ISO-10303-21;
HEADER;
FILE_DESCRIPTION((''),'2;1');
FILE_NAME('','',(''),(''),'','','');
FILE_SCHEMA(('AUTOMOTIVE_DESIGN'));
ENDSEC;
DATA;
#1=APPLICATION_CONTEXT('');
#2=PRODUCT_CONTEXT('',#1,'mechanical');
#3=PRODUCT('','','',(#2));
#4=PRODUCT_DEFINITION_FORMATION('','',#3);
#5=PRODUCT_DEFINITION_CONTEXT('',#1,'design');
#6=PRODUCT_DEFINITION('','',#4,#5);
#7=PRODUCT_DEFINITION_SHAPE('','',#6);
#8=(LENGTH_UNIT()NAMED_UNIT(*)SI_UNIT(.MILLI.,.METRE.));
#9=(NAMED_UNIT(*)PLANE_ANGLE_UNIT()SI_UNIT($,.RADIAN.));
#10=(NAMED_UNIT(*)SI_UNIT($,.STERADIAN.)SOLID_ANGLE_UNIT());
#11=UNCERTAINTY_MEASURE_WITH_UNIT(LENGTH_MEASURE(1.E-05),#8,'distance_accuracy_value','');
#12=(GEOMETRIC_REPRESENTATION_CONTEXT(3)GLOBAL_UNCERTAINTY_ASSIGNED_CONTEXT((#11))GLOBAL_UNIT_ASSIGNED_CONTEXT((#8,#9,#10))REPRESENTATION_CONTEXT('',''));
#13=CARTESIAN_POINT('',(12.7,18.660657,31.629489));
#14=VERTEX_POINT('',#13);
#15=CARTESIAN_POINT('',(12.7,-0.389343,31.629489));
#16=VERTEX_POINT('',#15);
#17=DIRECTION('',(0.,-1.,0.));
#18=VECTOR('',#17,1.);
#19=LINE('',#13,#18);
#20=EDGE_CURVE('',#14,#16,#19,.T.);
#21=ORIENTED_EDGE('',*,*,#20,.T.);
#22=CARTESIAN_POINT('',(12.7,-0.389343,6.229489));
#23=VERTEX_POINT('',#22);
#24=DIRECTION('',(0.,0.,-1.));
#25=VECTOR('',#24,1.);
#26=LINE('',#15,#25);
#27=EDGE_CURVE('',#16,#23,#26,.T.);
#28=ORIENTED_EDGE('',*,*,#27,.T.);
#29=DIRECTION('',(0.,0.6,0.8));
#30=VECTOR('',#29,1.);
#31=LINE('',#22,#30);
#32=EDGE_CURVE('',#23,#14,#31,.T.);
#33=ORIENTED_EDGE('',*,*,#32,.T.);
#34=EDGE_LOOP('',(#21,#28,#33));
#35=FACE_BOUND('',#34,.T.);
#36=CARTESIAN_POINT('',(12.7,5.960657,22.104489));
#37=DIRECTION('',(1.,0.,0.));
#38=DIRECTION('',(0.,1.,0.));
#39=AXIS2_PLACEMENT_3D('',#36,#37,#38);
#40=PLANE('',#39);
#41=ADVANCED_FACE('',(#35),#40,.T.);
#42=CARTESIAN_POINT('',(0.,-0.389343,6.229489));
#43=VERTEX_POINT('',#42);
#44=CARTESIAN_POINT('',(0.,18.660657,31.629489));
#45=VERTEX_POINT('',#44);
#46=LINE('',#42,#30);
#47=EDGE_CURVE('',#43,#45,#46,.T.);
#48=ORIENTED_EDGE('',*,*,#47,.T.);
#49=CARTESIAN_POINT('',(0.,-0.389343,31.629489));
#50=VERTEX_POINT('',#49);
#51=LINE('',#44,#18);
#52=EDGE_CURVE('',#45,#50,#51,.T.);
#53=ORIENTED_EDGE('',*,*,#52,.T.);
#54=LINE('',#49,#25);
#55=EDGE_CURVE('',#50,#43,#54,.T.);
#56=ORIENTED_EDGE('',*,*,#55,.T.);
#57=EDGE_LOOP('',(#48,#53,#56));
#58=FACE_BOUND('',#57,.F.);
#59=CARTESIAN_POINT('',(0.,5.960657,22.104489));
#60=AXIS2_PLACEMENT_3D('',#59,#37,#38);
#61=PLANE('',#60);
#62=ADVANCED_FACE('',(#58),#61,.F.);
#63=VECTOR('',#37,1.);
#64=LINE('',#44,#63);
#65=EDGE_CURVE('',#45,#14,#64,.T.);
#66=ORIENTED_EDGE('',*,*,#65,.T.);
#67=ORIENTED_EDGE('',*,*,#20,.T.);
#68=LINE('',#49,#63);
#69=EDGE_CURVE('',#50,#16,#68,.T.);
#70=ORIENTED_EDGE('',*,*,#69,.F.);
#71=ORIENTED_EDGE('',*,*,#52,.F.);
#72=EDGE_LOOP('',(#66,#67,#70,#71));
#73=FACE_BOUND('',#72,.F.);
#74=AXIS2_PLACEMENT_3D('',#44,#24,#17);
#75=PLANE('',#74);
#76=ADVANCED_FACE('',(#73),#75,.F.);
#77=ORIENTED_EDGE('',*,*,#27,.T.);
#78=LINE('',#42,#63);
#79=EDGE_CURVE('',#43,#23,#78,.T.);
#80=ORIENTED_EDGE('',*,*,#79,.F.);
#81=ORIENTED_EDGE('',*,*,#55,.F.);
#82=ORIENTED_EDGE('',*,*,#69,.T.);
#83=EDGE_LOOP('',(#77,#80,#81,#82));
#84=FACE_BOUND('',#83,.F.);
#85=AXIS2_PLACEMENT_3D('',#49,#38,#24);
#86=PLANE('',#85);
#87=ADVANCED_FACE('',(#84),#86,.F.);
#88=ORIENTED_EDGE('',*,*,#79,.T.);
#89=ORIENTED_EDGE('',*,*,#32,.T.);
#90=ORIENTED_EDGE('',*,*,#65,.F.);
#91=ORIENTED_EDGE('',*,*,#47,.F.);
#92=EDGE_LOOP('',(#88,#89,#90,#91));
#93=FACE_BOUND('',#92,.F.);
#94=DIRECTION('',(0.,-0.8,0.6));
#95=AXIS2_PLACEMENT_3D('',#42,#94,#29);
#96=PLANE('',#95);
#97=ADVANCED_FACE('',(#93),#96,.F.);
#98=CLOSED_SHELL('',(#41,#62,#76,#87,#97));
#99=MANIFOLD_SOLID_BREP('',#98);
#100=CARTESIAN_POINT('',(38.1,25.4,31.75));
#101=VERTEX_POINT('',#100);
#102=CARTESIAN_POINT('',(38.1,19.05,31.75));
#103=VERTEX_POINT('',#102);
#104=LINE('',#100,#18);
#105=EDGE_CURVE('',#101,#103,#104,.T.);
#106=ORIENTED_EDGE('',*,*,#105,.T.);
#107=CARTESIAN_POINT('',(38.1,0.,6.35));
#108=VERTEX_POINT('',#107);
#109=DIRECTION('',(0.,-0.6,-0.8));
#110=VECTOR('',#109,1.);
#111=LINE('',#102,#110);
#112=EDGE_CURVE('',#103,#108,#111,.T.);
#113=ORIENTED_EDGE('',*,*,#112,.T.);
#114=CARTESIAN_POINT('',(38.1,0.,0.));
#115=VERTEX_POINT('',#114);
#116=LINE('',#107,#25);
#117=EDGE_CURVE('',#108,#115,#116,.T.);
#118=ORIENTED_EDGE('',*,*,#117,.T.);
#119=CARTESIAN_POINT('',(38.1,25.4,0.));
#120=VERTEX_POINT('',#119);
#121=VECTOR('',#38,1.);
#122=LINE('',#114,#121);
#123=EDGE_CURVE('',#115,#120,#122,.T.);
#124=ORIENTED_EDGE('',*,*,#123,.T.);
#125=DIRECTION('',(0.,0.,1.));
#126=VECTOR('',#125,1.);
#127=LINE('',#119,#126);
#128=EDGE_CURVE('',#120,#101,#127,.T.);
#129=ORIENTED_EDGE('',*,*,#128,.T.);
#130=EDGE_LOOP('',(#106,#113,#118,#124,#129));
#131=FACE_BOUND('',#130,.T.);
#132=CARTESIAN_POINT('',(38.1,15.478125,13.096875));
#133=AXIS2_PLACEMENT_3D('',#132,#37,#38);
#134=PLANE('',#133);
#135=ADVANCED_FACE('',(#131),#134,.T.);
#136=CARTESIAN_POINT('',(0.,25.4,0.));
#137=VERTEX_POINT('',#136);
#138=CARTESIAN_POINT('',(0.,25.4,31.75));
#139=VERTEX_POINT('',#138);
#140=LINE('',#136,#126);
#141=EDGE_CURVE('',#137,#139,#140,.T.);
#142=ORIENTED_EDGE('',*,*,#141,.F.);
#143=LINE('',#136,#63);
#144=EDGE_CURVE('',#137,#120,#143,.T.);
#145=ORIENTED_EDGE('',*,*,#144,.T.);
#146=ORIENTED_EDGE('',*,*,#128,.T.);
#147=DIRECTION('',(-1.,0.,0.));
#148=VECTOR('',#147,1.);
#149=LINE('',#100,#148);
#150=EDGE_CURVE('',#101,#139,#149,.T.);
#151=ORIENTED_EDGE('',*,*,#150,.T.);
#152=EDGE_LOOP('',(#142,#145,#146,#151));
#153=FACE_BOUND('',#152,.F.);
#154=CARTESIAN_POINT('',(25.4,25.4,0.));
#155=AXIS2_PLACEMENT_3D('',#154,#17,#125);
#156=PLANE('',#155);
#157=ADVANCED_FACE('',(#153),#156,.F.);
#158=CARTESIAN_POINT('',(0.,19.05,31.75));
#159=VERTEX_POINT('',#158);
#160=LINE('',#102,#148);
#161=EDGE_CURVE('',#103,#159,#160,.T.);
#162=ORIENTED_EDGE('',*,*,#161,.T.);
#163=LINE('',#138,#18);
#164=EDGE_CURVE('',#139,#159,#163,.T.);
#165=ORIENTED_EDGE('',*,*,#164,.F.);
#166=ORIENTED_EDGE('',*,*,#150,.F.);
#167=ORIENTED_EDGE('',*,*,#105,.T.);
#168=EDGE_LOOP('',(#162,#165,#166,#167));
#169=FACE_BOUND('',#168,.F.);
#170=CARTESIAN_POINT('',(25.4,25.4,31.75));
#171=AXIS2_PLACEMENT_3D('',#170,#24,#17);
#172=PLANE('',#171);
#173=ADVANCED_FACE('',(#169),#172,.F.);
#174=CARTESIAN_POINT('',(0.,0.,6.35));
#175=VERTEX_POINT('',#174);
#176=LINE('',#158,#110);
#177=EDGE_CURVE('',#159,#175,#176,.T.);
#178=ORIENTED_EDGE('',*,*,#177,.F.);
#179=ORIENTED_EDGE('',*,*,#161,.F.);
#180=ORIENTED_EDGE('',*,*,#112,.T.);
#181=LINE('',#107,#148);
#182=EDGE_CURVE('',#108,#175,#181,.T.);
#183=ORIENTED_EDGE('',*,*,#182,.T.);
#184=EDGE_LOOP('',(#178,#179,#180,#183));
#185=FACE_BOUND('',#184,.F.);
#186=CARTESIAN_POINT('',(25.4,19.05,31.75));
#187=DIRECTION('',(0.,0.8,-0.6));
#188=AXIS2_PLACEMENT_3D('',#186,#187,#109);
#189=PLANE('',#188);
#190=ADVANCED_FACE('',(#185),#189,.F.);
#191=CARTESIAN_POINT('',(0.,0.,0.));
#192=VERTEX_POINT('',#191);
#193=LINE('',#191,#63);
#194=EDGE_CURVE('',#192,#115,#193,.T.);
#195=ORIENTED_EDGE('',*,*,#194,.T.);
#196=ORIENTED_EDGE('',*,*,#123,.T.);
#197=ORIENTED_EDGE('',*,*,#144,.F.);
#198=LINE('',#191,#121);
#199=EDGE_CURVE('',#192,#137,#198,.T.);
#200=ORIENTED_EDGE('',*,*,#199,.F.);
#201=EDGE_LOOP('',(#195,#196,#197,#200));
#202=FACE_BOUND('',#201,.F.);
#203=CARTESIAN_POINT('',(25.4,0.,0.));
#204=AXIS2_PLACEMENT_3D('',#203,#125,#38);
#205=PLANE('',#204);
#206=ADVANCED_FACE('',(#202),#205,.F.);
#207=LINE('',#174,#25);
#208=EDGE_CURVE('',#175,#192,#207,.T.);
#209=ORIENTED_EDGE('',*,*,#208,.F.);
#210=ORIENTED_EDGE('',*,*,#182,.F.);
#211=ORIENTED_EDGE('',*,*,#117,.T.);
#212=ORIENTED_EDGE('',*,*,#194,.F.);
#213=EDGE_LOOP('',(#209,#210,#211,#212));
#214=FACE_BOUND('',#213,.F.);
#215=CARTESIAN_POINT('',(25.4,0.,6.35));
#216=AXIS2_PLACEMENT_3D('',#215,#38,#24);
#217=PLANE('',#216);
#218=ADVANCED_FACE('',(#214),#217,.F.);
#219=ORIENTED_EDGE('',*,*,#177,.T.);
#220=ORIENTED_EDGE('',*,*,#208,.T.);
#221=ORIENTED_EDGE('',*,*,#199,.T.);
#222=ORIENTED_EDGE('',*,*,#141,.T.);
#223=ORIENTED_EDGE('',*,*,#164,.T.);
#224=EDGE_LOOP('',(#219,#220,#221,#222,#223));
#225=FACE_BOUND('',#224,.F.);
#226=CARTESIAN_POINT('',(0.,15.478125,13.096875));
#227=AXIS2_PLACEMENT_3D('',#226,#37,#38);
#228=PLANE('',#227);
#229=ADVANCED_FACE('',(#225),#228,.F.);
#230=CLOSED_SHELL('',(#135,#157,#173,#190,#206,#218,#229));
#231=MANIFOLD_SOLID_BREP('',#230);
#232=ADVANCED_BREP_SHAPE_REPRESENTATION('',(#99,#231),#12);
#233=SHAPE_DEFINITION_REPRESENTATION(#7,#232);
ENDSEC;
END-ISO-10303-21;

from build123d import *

# Parameters (mm, degrees)
F1_DEPTH = 25.4
F3_DEPTH = 12.7
F4_DEPTH = 12.7


with BuildPart() as f1:
    # F0 (on Right) → F1 (new body)
    with BuildSketch(Plane.YZ):
        Polygon((0, 6.35), (0, 0), (25.4, 0), (25.4, 31.75), (19.05, 31.75), align=None)
    extrude(amount=F1_DEPTH)

    # F1_face (on face) → F4 (join)
    with BuildSketch(Plane(origin=(25.4, 15.421429, 12.7), x_dir=(0, 1, 0), z_dir=(1, 0, 0))):
        Polygon((-15.421429, -6.35), (-15.421429, -12.7), (9.978571, -12.7), (9.978571, 19.05), (3.628571, 19.05), align=None)
    extrude(amount=F4_DEPTH)


with BuildPart() as f3:
    # F2 (on Right) → F3 (new body)
    with BuildSketch(Plane.YZ):
        Polygon((-0.389343, 31.629489), (-0.389343, 6.229489), (18.660657, 31.629489), align=None)
    extrude(amount=F3_DEPTH)


solid = Compound([f1.part, f3.part])
